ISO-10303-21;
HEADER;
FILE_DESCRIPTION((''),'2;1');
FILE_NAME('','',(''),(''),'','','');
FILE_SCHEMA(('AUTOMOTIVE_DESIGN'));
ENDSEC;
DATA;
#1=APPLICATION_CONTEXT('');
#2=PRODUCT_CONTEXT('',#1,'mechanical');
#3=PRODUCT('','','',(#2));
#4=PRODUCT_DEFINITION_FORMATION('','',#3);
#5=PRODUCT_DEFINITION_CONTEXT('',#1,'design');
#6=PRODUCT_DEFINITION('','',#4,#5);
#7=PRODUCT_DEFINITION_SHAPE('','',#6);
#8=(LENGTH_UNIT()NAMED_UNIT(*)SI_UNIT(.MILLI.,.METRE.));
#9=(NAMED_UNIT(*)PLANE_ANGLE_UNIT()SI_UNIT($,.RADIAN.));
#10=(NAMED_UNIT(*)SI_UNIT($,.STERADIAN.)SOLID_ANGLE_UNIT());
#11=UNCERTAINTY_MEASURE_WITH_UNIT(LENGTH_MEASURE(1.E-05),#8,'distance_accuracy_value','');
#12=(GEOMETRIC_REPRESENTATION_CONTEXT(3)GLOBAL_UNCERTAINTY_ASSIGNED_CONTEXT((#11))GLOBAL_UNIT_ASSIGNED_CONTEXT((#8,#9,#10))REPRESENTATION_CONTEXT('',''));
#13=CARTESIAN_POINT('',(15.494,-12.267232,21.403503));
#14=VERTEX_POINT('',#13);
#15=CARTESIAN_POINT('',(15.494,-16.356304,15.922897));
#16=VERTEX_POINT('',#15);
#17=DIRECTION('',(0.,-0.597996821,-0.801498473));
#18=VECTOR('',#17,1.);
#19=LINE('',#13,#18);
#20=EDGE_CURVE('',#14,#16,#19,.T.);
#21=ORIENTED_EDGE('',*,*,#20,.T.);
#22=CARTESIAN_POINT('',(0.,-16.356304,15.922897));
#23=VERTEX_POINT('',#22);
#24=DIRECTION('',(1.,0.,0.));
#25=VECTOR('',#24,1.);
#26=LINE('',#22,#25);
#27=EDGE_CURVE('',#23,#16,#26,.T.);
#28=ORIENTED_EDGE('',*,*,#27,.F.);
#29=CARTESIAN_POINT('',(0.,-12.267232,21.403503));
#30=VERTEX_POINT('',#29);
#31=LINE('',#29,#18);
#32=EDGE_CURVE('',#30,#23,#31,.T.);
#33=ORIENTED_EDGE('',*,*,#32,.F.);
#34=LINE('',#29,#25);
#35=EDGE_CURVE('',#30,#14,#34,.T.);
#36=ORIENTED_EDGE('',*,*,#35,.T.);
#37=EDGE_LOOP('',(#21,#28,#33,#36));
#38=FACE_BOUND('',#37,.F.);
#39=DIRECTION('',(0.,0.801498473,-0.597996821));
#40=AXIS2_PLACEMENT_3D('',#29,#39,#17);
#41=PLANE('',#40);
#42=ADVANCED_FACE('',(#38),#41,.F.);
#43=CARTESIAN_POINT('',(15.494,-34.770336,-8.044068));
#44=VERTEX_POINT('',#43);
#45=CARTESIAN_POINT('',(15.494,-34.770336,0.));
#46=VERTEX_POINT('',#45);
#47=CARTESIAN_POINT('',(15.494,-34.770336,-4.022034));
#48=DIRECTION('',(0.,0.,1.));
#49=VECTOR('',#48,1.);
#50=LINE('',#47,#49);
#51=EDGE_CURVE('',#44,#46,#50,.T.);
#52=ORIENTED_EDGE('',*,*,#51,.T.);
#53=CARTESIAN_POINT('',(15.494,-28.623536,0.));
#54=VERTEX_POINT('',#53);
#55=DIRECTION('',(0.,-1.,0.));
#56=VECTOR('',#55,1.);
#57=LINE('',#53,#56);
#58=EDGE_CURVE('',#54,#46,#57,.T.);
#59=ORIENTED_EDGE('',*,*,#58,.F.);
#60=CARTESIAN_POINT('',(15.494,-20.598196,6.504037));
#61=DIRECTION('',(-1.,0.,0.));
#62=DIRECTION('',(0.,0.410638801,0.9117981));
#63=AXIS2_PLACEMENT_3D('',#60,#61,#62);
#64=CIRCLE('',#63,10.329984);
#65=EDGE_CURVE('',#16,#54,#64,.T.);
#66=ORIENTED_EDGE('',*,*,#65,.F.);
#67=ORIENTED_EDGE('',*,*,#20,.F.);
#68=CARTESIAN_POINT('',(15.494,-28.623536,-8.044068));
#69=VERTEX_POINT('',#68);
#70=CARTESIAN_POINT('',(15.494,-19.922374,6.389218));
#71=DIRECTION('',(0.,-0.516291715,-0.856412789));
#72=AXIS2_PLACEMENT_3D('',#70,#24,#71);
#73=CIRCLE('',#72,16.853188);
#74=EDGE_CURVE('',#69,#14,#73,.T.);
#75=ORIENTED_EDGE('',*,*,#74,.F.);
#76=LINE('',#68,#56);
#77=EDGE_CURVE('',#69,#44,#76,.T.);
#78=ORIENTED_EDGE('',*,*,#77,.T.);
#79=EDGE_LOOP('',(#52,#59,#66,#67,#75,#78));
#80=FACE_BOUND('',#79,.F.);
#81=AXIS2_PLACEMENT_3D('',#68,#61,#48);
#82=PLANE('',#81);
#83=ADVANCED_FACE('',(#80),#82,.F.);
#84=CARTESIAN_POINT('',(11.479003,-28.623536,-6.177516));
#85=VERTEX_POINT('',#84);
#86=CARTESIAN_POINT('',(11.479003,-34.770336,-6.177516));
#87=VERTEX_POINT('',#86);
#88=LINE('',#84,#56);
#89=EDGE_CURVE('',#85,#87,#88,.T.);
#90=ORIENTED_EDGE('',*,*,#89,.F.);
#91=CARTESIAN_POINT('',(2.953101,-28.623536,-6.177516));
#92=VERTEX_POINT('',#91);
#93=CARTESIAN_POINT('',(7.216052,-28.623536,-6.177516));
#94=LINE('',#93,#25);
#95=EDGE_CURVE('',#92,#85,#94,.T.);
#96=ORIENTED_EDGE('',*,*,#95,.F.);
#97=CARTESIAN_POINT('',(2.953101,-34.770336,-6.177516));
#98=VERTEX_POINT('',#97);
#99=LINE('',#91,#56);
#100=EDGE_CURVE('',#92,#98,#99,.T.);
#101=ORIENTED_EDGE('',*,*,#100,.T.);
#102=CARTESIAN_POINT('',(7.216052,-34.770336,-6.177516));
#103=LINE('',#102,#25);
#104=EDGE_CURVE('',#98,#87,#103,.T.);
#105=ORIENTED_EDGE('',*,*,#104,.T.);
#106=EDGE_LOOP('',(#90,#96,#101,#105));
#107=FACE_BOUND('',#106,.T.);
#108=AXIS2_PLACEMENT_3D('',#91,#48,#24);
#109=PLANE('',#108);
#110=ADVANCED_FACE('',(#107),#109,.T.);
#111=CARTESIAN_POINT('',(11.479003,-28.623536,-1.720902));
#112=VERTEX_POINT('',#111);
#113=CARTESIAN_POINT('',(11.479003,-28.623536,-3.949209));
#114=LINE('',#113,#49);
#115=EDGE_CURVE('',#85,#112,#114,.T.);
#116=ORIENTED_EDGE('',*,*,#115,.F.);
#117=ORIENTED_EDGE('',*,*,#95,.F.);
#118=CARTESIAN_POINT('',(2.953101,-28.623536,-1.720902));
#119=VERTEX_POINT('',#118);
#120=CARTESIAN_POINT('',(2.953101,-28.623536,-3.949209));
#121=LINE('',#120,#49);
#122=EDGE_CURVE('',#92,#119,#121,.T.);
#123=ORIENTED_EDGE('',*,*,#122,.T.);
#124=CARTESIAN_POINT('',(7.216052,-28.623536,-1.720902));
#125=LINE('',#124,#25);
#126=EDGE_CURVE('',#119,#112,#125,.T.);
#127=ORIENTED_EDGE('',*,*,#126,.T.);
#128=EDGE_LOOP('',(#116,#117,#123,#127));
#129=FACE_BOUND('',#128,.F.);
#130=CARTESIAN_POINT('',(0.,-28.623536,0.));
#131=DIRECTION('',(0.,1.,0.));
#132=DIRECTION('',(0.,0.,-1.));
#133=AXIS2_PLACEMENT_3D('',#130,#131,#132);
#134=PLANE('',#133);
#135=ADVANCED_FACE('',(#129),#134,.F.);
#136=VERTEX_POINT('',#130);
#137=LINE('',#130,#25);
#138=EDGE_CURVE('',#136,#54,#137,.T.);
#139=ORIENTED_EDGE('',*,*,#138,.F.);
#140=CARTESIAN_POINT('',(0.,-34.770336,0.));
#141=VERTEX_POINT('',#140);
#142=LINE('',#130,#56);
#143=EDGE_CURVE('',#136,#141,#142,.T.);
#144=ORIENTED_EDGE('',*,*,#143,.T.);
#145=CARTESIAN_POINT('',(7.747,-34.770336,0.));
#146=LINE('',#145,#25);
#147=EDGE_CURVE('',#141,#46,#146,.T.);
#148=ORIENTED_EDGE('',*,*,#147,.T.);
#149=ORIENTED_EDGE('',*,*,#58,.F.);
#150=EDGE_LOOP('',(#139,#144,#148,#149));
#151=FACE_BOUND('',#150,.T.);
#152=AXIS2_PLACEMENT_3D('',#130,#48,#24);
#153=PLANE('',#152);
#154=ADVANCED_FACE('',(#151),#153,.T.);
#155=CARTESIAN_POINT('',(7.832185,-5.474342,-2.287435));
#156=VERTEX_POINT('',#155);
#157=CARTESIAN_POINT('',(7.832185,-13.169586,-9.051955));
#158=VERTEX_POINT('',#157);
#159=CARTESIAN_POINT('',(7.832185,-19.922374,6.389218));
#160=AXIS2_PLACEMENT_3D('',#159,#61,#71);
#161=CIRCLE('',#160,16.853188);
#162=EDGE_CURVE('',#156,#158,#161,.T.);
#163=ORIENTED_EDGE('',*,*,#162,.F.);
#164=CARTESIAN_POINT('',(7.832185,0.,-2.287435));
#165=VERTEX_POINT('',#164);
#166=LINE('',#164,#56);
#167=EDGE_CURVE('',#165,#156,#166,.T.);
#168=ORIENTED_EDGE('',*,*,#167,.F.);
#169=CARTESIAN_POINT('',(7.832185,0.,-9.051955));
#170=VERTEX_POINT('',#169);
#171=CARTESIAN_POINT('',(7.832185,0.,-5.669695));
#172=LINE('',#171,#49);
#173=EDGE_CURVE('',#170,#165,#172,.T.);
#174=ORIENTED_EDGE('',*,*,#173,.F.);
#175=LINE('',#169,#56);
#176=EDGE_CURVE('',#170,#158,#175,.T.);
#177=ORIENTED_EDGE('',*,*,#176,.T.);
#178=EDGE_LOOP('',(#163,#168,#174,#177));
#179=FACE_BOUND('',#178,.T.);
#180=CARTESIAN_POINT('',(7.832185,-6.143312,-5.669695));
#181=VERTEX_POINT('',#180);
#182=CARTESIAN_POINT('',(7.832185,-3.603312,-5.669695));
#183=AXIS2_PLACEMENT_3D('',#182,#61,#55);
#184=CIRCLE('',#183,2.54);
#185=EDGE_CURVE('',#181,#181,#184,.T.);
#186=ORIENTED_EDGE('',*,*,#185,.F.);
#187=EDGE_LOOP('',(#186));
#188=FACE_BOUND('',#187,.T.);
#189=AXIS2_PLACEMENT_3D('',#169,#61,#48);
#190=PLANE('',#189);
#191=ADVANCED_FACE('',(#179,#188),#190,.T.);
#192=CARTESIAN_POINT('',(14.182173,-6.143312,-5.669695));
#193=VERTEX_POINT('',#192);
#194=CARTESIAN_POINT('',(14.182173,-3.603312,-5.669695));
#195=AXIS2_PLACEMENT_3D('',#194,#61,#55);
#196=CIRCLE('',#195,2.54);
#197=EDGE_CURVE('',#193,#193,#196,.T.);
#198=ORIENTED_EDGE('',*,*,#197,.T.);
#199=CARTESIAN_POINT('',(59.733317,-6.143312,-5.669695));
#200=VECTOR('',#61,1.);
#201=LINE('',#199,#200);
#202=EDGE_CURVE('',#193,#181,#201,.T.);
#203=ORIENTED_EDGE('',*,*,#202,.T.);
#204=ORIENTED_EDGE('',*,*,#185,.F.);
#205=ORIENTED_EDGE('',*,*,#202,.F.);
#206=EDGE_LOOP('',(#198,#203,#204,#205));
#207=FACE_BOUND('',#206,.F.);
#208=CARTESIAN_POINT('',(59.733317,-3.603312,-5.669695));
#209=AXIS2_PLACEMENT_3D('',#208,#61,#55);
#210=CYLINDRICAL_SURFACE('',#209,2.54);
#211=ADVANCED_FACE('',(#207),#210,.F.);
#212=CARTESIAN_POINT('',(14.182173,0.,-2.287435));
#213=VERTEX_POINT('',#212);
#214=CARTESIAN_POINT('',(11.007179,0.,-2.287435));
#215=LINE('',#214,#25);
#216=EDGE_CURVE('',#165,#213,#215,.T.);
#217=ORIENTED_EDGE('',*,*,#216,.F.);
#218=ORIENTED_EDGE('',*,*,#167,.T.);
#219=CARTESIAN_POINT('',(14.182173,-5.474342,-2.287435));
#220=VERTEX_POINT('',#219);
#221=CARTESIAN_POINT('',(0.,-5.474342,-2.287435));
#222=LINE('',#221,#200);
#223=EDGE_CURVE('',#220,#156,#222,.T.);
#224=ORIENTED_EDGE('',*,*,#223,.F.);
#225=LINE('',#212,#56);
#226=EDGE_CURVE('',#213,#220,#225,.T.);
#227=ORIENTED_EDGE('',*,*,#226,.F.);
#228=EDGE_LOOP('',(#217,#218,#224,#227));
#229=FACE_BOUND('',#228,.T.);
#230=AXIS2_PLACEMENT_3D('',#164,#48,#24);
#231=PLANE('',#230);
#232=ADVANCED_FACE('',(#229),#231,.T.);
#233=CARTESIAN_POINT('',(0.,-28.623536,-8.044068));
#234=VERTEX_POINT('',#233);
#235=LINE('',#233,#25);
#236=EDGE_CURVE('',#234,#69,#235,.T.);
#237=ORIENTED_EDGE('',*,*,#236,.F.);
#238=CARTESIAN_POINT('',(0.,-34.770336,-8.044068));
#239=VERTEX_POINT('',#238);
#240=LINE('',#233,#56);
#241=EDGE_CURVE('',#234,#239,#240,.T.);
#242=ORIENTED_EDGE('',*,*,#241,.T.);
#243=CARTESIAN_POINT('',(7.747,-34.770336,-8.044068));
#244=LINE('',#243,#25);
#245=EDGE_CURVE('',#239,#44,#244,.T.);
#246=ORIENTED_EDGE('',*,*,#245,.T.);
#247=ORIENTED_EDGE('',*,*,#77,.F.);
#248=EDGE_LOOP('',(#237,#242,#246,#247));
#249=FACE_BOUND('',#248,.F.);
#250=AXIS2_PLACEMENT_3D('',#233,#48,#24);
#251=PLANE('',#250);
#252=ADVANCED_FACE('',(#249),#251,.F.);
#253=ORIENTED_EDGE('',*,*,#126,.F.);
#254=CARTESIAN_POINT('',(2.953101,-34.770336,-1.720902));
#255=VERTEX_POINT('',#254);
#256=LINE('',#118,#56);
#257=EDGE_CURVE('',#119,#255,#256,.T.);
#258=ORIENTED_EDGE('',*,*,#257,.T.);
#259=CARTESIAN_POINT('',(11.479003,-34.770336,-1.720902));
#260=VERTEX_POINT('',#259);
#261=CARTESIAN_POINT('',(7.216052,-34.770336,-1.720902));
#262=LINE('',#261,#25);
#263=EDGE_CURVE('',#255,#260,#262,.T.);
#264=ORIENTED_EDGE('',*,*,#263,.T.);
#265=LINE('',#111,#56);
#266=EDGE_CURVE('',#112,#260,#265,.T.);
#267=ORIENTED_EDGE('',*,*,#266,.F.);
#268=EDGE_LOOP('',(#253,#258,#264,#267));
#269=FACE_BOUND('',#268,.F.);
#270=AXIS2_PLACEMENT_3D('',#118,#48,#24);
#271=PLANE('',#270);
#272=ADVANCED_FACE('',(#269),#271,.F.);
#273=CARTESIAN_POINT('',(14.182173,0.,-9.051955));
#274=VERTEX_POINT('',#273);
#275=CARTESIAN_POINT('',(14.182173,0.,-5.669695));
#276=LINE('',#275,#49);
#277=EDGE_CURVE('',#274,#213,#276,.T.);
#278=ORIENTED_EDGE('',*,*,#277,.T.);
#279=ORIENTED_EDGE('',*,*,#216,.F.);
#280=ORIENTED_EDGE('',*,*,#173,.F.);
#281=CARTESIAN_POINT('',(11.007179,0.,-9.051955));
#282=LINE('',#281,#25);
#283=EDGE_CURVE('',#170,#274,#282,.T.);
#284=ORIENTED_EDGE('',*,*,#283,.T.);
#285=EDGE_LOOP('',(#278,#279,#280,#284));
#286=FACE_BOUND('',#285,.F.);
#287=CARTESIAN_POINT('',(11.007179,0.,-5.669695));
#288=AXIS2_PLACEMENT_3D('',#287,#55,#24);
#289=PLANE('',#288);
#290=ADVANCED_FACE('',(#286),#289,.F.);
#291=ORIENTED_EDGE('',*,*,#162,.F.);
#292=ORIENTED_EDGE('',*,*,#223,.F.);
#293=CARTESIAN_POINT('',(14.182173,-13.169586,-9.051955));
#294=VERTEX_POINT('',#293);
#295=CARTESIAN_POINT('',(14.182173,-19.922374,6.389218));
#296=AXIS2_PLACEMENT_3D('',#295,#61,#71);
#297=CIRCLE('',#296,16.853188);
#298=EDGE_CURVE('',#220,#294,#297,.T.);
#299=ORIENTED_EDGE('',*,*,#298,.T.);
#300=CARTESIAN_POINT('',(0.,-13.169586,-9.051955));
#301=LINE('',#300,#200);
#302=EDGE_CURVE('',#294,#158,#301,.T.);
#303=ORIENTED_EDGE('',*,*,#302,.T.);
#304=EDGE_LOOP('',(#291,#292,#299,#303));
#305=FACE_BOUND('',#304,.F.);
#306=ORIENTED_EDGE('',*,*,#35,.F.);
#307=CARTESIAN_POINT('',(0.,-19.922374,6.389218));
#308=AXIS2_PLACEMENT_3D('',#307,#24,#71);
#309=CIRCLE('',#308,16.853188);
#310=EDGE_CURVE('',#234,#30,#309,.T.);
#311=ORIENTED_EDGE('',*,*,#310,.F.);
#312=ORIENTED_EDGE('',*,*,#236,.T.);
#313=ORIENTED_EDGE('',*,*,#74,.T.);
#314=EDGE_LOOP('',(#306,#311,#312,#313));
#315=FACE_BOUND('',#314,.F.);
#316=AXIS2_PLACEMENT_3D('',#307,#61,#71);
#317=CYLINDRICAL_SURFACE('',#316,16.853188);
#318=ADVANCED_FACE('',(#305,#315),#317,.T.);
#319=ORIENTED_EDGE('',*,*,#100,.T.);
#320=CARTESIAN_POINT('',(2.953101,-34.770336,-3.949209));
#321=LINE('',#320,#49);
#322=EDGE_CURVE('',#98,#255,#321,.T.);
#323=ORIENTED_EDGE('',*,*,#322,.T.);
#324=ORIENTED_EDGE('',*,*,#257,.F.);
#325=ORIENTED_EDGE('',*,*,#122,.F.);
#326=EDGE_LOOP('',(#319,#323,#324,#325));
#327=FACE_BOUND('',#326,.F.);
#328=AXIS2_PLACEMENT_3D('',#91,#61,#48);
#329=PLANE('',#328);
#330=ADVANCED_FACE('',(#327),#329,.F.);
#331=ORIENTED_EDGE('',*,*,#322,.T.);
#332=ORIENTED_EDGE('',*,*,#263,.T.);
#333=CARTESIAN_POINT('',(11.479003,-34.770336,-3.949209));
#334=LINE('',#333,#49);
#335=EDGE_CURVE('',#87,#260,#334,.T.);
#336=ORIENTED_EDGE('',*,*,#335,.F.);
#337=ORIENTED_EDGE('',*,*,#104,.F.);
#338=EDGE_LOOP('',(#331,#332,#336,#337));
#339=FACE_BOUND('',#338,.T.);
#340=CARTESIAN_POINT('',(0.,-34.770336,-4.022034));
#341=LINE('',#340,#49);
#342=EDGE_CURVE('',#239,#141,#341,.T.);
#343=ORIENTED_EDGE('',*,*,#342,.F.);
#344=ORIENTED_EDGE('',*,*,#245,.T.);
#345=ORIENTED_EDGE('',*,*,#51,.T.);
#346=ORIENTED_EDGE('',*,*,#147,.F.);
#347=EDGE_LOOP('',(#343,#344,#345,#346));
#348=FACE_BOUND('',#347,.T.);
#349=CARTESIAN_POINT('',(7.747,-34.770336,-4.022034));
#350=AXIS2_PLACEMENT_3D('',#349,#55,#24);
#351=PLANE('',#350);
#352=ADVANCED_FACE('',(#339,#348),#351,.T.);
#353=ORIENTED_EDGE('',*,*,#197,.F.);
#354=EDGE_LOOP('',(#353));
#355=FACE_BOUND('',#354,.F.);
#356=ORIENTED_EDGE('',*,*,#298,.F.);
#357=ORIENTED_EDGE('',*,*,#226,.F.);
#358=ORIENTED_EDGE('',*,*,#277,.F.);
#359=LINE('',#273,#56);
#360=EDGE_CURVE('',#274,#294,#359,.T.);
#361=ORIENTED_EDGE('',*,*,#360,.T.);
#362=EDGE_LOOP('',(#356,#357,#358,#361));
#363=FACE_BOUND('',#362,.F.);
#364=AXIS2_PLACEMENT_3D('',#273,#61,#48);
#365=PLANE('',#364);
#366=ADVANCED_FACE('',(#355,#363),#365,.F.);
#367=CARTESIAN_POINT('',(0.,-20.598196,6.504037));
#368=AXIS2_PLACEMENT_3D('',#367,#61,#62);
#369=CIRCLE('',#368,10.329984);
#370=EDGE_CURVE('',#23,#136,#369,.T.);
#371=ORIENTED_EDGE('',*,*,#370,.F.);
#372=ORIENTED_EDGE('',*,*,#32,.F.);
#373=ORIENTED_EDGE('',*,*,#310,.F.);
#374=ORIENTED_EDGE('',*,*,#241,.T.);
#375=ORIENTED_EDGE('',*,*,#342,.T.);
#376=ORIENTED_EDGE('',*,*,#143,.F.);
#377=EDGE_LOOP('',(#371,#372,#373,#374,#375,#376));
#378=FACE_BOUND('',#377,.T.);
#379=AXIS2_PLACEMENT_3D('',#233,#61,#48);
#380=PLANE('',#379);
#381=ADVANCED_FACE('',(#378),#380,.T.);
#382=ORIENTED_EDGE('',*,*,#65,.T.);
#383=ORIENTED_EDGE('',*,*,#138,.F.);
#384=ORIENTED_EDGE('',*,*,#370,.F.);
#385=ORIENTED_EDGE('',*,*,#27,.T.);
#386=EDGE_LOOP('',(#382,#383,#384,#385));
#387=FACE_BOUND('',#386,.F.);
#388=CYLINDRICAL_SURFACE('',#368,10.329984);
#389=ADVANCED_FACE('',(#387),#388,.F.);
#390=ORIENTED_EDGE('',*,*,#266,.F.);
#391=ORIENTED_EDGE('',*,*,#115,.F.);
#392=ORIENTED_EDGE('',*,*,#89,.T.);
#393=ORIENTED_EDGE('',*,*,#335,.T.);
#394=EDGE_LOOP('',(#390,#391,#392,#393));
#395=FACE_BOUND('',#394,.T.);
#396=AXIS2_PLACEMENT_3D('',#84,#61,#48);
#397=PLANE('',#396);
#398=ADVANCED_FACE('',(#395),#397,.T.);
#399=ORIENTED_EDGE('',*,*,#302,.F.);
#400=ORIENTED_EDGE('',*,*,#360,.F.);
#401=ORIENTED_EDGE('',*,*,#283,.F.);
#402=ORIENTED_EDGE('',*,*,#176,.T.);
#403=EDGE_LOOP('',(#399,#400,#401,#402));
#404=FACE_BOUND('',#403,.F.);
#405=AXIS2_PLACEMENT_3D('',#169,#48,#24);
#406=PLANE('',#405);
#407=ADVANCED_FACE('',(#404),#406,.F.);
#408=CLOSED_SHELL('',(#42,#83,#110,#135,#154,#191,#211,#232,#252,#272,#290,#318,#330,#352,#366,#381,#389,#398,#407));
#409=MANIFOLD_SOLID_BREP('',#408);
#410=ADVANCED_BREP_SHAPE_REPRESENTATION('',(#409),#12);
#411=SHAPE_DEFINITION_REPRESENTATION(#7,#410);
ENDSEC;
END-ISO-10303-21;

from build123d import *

# Parameters (mm, degrees)
F1_DEPTH = 15.494
F2_W     = 6.349988
F2_H     = 6.764519
F3_DEPTH = 13.208
F5_D     = 5.08
F6_W     = 15.494
F6_H     = 8.044068
F6_W_2   = 8.525903
F6_H_2   = 4.456614
F7_DEPTH = 6.1468


with BuildPart() as f1:
    # F0 (on Right) → F1 (new body)
    with BuildSketch(Plane.YZ):
        with BuildLine():
            ThreePointArc((-16.356304, 15.922897), (-12.415087, 0.19965), (-28.623536, 0))
            Line((-28.623536, 0), (-28.623536, -8.044068))
            ThreePointArc((-28.623536, -8.044068), (-5.189303, -1.794092), (-12.267232, 21.403503))
            Line((-12.267232, 21.403503), (-16.356304, 15.922897))
        make_face()
    extrude(amount=F1_DEPTH)

    # F2 (on Front) → F3 (join)
    with BuildSketch(Plane.XZ):
        with Locations((11.007179, -5.669695)):
            Rectangle(F2_W, F2_H)
    extrude(amount=F3_DEPTH)

    # F5 (through all)
    with Locations(Plane.YZ.offset(14.182173)):
        with Locations((-3.603312, -5.669695)):
            Hole(F5_D / 2)

    # F6 (on face) → F7 (join)
    with BuildSketch(Plane.XZ.offset(28.623536)):
        with Locations((7.747, -4.022034)):
            Rectangle(F6_W, F6_H)
        with Locations((7.216052, -3.949209)):
            Rectangle(F6_W_2, F6_H_2, mode=Mode.SUBTRACT)
    extrude(amount=F7_DEPTH)


solid = f1.part
